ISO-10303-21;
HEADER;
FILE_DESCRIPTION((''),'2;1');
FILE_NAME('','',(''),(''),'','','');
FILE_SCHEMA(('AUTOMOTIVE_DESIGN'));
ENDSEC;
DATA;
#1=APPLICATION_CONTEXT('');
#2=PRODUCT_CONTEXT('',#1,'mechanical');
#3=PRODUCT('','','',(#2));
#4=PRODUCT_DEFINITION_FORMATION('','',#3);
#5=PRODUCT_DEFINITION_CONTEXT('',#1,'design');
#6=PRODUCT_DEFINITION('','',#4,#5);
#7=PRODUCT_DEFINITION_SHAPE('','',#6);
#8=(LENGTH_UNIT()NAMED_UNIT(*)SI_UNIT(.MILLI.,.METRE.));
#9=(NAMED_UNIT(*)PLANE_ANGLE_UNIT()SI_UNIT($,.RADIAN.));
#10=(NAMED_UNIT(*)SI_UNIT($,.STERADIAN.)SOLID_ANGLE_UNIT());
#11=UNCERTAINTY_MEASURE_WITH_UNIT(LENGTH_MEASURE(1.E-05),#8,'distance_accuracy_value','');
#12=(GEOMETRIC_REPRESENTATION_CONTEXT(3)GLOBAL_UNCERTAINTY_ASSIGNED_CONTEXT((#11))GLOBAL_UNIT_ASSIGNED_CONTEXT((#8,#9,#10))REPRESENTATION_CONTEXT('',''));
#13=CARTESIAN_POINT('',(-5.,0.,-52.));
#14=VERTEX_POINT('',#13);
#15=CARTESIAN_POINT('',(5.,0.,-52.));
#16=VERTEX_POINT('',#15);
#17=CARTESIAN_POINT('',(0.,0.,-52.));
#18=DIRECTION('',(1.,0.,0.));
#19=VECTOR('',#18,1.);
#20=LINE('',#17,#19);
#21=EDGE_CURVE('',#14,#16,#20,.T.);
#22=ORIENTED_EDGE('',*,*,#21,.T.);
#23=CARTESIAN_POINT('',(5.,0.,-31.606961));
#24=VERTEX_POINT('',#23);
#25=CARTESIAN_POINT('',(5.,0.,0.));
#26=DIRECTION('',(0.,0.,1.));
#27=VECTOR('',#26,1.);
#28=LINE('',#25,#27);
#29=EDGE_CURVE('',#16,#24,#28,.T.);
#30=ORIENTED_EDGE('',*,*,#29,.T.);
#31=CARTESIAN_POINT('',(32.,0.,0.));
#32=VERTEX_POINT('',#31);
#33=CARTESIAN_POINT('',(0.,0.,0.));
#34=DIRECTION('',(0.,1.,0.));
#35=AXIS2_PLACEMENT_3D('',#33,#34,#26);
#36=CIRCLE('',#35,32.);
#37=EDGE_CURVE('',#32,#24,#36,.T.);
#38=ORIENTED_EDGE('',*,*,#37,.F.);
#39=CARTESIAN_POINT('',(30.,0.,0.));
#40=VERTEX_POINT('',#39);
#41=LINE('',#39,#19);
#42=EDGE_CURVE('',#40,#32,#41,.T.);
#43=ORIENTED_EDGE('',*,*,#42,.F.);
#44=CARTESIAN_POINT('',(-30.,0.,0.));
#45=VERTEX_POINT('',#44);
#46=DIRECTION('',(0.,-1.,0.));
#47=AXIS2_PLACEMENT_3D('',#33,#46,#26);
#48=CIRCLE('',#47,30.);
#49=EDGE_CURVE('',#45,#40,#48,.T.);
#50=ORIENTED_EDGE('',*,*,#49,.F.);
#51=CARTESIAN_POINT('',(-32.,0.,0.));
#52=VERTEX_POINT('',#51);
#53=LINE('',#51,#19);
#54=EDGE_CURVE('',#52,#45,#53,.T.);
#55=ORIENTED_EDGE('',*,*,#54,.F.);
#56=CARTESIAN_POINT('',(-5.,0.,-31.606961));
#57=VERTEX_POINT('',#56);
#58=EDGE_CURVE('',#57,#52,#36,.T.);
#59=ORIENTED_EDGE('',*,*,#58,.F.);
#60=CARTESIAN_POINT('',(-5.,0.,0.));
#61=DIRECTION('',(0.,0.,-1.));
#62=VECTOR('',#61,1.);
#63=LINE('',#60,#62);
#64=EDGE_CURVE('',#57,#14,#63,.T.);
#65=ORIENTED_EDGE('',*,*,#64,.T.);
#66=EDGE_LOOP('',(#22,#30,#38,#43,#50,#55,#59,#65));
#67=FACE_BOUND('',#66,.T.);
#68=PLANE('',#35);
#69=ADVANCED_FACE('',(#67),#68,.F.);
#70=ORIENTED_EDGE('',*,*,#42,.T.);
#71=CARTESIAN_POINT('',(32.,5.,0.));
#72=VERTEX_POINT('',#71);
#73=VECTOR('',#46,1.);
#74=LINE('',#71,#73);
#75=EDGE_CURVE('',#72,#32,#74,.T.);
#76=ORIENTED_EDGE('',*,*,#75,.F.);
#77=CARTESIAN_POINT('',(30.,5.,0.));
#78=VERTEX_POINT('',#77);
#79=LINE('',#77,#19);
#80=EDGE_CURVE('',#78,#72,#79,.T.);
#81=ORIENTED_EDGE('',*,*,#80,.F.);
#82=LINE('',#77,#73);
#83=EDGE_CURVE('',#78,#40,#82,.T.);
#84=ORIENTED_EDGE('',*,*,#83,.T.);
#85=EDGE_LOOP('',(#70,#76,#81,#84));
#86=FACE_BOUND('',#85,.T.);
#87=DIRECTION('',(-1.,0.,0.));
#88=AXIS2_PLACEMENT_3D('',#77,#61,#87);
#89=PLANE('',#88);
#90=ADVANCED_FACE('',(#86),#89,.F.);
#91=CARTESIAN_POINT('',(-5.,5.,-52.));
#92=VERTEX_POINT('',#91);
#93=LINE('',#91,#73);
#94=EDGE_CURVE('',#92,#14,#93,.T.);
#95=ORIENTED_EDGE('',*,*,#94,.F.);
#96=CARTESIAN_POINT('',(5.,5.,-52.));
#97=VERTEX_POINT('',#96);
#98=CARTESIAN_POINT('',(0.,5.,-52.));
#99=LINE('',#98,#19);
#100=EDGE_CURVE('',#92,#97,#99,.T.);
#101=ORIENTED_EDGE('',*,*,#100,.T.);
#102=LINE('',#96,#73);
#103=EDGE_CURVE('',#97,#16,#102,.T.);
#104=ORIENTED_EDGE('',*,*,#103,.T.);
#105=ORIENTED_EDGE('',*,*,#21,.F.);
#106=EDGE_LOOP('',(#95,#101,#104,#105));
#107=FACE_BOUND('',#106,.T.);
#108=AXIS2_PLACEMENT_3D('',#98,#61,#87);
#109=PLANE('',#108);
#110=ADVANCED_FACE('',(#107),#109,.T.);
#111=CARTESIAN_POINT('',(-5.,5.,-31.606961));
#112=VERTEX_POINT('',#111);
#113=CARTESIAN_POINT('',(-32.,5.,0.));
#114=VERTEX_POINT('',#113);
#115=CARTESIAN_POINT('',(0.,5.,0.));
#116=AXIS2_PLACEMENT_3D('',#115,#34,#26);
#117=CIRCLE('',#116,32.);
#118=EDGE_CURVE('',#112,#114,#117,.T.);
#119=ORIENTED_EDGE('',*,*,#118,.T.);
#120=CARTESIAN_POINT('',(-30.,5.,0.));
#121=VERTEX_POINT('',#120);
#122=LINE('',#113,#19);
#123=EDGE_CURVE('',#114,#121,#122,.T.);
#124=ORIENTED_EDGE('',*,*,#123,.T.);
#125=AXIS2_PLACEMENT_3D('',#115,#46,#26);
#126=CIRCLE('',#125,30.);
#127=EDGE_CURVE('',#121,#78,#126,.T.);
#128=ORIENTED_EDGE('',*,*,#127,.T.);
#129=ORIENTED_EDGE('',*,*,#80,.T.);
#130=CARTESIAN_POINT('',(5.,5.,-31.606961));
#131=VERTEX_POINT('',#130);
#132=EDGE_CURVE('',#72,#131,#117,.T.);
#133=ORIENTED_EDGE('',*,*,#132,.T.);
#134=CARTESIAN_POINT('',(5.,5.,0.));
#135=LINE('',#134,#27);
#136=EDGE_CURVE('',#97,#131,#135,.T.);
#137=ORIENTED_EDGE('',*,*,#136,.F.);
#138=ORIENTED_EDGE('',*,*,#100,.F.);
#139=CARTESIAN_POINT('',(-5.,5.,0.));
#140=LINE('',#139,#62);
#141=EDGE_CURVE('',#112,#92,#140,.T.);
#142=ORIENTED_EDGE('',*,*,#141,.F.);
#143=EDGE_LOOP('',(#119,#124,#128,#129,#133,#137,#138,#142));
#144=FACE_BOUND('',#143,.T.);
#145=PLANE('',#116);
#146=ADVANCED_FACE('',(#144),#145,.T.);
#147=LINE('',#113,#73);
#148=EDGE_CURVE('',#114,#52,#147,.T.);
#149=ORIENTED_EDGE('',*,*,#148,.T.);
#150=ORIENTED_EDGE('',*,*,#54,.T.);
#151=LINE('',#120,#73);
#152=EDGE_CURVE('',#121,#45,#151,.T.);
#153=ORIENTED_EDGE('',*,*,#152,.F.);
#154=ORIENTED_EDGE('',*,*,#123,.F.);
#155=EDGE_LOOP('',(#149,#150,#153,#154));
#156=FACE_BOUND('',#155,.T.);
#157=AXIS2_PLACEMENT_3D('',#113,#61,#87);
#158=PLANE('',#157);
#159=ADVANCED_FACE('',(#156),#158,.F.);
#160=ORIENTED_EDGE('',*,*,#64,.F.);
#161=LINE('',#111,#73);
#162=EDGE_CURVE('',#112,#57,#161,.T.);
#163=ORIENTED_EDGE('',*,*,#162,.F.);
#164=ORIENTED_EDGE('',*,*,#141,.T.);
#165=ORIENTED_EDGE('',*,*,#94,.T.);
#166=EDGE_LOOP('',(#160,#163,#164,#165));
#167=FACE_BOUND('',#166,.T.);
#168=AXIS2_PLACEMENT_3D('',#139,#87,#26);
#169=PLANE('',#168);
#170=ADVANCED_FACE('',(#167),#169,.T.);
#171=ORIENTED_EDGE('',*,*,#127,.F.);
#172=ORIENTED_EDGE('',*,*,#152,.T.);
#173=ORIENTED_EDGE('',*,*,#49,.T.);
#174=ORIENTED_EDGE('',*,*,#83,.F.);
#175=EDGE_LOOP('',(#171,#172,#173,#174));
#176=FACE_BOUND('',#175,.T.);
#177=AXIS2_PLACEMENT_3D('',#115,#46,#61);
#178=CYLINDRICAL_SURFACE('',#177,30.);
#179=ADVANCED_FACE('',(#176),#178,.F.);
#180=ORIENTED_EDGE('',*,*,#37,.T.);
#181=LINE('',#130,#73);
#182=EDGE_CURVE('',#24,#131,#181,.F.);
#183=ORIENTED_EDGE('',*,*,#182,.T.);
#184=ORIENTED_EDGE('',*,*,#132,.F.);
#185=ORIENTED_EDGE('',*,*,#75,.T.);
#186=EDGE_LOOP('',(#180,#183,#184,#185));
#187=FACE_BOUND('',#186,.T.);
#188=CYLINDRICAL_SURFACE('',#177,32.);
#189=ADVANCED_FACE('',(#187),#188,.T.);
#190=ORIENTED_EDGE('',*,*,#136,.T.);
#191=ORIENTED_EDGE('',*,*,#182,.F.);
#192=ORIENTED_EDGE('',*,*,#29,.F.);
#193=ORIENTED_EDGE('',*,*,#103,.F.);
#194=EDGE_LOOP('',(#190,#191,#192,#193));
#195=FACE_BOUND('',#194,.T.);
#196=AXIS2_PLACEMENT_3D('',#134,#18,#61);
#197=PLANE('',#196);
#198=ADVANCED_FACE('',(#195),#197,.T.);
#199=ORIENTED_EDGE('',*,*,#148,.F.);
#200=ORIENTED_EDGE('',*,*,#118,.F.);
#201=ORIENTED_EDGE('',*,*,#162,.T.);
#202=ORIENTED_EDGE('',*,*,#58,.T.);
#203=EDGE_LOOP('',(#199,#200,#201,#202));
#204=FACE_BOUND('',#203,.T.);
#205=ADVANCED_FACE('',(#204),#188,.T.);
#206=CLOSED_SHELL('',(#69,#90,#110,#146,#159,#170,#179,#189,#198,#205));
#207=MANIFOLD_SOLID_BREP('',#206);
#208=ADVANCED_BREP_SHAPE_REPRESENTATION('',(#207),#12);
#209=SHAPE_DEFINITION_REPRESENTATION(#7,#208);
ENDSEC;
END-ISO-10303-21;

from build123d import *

# Parameters (mm, degrees)
EXTRUDE_1_DEPTH = 5
EXTRUDE_2_DEPTH = 5


with BuildPart() as part:
    # 草图1 → 凸台-拉伸1 (new body)
    with BuildSketch(Plane(origin=(0, 0, 0), x_dir=(1, 0, 0), z_dir=(0, 1, 0))):
        with BuildLine():
            Line((-32, 0), (-30, 0))
            ThreePointArc((-30, 0), (0, 30), (30, 0))
            Line((30, 0), (32, 0))
            ThreePointArc((32, 0), (0, 32), (-32, 0))
        make_face()
    extrude(amount=EXTRUDE_1_DEPTH)

    # 草图2 → 凸台-拉伸2 (add)
    with BuildSketch(Plane(origin=(0, 0, 0), x_dir=(1, 0, 0), z_dir=(0, 1, 0))):
        Polygon((5, 52), (0, 52), (-5, 52), (-5, 31), (5, 31), align=None)
    extrude(amount=EXTRUDE_2_DEPTH)


solid = part.part
